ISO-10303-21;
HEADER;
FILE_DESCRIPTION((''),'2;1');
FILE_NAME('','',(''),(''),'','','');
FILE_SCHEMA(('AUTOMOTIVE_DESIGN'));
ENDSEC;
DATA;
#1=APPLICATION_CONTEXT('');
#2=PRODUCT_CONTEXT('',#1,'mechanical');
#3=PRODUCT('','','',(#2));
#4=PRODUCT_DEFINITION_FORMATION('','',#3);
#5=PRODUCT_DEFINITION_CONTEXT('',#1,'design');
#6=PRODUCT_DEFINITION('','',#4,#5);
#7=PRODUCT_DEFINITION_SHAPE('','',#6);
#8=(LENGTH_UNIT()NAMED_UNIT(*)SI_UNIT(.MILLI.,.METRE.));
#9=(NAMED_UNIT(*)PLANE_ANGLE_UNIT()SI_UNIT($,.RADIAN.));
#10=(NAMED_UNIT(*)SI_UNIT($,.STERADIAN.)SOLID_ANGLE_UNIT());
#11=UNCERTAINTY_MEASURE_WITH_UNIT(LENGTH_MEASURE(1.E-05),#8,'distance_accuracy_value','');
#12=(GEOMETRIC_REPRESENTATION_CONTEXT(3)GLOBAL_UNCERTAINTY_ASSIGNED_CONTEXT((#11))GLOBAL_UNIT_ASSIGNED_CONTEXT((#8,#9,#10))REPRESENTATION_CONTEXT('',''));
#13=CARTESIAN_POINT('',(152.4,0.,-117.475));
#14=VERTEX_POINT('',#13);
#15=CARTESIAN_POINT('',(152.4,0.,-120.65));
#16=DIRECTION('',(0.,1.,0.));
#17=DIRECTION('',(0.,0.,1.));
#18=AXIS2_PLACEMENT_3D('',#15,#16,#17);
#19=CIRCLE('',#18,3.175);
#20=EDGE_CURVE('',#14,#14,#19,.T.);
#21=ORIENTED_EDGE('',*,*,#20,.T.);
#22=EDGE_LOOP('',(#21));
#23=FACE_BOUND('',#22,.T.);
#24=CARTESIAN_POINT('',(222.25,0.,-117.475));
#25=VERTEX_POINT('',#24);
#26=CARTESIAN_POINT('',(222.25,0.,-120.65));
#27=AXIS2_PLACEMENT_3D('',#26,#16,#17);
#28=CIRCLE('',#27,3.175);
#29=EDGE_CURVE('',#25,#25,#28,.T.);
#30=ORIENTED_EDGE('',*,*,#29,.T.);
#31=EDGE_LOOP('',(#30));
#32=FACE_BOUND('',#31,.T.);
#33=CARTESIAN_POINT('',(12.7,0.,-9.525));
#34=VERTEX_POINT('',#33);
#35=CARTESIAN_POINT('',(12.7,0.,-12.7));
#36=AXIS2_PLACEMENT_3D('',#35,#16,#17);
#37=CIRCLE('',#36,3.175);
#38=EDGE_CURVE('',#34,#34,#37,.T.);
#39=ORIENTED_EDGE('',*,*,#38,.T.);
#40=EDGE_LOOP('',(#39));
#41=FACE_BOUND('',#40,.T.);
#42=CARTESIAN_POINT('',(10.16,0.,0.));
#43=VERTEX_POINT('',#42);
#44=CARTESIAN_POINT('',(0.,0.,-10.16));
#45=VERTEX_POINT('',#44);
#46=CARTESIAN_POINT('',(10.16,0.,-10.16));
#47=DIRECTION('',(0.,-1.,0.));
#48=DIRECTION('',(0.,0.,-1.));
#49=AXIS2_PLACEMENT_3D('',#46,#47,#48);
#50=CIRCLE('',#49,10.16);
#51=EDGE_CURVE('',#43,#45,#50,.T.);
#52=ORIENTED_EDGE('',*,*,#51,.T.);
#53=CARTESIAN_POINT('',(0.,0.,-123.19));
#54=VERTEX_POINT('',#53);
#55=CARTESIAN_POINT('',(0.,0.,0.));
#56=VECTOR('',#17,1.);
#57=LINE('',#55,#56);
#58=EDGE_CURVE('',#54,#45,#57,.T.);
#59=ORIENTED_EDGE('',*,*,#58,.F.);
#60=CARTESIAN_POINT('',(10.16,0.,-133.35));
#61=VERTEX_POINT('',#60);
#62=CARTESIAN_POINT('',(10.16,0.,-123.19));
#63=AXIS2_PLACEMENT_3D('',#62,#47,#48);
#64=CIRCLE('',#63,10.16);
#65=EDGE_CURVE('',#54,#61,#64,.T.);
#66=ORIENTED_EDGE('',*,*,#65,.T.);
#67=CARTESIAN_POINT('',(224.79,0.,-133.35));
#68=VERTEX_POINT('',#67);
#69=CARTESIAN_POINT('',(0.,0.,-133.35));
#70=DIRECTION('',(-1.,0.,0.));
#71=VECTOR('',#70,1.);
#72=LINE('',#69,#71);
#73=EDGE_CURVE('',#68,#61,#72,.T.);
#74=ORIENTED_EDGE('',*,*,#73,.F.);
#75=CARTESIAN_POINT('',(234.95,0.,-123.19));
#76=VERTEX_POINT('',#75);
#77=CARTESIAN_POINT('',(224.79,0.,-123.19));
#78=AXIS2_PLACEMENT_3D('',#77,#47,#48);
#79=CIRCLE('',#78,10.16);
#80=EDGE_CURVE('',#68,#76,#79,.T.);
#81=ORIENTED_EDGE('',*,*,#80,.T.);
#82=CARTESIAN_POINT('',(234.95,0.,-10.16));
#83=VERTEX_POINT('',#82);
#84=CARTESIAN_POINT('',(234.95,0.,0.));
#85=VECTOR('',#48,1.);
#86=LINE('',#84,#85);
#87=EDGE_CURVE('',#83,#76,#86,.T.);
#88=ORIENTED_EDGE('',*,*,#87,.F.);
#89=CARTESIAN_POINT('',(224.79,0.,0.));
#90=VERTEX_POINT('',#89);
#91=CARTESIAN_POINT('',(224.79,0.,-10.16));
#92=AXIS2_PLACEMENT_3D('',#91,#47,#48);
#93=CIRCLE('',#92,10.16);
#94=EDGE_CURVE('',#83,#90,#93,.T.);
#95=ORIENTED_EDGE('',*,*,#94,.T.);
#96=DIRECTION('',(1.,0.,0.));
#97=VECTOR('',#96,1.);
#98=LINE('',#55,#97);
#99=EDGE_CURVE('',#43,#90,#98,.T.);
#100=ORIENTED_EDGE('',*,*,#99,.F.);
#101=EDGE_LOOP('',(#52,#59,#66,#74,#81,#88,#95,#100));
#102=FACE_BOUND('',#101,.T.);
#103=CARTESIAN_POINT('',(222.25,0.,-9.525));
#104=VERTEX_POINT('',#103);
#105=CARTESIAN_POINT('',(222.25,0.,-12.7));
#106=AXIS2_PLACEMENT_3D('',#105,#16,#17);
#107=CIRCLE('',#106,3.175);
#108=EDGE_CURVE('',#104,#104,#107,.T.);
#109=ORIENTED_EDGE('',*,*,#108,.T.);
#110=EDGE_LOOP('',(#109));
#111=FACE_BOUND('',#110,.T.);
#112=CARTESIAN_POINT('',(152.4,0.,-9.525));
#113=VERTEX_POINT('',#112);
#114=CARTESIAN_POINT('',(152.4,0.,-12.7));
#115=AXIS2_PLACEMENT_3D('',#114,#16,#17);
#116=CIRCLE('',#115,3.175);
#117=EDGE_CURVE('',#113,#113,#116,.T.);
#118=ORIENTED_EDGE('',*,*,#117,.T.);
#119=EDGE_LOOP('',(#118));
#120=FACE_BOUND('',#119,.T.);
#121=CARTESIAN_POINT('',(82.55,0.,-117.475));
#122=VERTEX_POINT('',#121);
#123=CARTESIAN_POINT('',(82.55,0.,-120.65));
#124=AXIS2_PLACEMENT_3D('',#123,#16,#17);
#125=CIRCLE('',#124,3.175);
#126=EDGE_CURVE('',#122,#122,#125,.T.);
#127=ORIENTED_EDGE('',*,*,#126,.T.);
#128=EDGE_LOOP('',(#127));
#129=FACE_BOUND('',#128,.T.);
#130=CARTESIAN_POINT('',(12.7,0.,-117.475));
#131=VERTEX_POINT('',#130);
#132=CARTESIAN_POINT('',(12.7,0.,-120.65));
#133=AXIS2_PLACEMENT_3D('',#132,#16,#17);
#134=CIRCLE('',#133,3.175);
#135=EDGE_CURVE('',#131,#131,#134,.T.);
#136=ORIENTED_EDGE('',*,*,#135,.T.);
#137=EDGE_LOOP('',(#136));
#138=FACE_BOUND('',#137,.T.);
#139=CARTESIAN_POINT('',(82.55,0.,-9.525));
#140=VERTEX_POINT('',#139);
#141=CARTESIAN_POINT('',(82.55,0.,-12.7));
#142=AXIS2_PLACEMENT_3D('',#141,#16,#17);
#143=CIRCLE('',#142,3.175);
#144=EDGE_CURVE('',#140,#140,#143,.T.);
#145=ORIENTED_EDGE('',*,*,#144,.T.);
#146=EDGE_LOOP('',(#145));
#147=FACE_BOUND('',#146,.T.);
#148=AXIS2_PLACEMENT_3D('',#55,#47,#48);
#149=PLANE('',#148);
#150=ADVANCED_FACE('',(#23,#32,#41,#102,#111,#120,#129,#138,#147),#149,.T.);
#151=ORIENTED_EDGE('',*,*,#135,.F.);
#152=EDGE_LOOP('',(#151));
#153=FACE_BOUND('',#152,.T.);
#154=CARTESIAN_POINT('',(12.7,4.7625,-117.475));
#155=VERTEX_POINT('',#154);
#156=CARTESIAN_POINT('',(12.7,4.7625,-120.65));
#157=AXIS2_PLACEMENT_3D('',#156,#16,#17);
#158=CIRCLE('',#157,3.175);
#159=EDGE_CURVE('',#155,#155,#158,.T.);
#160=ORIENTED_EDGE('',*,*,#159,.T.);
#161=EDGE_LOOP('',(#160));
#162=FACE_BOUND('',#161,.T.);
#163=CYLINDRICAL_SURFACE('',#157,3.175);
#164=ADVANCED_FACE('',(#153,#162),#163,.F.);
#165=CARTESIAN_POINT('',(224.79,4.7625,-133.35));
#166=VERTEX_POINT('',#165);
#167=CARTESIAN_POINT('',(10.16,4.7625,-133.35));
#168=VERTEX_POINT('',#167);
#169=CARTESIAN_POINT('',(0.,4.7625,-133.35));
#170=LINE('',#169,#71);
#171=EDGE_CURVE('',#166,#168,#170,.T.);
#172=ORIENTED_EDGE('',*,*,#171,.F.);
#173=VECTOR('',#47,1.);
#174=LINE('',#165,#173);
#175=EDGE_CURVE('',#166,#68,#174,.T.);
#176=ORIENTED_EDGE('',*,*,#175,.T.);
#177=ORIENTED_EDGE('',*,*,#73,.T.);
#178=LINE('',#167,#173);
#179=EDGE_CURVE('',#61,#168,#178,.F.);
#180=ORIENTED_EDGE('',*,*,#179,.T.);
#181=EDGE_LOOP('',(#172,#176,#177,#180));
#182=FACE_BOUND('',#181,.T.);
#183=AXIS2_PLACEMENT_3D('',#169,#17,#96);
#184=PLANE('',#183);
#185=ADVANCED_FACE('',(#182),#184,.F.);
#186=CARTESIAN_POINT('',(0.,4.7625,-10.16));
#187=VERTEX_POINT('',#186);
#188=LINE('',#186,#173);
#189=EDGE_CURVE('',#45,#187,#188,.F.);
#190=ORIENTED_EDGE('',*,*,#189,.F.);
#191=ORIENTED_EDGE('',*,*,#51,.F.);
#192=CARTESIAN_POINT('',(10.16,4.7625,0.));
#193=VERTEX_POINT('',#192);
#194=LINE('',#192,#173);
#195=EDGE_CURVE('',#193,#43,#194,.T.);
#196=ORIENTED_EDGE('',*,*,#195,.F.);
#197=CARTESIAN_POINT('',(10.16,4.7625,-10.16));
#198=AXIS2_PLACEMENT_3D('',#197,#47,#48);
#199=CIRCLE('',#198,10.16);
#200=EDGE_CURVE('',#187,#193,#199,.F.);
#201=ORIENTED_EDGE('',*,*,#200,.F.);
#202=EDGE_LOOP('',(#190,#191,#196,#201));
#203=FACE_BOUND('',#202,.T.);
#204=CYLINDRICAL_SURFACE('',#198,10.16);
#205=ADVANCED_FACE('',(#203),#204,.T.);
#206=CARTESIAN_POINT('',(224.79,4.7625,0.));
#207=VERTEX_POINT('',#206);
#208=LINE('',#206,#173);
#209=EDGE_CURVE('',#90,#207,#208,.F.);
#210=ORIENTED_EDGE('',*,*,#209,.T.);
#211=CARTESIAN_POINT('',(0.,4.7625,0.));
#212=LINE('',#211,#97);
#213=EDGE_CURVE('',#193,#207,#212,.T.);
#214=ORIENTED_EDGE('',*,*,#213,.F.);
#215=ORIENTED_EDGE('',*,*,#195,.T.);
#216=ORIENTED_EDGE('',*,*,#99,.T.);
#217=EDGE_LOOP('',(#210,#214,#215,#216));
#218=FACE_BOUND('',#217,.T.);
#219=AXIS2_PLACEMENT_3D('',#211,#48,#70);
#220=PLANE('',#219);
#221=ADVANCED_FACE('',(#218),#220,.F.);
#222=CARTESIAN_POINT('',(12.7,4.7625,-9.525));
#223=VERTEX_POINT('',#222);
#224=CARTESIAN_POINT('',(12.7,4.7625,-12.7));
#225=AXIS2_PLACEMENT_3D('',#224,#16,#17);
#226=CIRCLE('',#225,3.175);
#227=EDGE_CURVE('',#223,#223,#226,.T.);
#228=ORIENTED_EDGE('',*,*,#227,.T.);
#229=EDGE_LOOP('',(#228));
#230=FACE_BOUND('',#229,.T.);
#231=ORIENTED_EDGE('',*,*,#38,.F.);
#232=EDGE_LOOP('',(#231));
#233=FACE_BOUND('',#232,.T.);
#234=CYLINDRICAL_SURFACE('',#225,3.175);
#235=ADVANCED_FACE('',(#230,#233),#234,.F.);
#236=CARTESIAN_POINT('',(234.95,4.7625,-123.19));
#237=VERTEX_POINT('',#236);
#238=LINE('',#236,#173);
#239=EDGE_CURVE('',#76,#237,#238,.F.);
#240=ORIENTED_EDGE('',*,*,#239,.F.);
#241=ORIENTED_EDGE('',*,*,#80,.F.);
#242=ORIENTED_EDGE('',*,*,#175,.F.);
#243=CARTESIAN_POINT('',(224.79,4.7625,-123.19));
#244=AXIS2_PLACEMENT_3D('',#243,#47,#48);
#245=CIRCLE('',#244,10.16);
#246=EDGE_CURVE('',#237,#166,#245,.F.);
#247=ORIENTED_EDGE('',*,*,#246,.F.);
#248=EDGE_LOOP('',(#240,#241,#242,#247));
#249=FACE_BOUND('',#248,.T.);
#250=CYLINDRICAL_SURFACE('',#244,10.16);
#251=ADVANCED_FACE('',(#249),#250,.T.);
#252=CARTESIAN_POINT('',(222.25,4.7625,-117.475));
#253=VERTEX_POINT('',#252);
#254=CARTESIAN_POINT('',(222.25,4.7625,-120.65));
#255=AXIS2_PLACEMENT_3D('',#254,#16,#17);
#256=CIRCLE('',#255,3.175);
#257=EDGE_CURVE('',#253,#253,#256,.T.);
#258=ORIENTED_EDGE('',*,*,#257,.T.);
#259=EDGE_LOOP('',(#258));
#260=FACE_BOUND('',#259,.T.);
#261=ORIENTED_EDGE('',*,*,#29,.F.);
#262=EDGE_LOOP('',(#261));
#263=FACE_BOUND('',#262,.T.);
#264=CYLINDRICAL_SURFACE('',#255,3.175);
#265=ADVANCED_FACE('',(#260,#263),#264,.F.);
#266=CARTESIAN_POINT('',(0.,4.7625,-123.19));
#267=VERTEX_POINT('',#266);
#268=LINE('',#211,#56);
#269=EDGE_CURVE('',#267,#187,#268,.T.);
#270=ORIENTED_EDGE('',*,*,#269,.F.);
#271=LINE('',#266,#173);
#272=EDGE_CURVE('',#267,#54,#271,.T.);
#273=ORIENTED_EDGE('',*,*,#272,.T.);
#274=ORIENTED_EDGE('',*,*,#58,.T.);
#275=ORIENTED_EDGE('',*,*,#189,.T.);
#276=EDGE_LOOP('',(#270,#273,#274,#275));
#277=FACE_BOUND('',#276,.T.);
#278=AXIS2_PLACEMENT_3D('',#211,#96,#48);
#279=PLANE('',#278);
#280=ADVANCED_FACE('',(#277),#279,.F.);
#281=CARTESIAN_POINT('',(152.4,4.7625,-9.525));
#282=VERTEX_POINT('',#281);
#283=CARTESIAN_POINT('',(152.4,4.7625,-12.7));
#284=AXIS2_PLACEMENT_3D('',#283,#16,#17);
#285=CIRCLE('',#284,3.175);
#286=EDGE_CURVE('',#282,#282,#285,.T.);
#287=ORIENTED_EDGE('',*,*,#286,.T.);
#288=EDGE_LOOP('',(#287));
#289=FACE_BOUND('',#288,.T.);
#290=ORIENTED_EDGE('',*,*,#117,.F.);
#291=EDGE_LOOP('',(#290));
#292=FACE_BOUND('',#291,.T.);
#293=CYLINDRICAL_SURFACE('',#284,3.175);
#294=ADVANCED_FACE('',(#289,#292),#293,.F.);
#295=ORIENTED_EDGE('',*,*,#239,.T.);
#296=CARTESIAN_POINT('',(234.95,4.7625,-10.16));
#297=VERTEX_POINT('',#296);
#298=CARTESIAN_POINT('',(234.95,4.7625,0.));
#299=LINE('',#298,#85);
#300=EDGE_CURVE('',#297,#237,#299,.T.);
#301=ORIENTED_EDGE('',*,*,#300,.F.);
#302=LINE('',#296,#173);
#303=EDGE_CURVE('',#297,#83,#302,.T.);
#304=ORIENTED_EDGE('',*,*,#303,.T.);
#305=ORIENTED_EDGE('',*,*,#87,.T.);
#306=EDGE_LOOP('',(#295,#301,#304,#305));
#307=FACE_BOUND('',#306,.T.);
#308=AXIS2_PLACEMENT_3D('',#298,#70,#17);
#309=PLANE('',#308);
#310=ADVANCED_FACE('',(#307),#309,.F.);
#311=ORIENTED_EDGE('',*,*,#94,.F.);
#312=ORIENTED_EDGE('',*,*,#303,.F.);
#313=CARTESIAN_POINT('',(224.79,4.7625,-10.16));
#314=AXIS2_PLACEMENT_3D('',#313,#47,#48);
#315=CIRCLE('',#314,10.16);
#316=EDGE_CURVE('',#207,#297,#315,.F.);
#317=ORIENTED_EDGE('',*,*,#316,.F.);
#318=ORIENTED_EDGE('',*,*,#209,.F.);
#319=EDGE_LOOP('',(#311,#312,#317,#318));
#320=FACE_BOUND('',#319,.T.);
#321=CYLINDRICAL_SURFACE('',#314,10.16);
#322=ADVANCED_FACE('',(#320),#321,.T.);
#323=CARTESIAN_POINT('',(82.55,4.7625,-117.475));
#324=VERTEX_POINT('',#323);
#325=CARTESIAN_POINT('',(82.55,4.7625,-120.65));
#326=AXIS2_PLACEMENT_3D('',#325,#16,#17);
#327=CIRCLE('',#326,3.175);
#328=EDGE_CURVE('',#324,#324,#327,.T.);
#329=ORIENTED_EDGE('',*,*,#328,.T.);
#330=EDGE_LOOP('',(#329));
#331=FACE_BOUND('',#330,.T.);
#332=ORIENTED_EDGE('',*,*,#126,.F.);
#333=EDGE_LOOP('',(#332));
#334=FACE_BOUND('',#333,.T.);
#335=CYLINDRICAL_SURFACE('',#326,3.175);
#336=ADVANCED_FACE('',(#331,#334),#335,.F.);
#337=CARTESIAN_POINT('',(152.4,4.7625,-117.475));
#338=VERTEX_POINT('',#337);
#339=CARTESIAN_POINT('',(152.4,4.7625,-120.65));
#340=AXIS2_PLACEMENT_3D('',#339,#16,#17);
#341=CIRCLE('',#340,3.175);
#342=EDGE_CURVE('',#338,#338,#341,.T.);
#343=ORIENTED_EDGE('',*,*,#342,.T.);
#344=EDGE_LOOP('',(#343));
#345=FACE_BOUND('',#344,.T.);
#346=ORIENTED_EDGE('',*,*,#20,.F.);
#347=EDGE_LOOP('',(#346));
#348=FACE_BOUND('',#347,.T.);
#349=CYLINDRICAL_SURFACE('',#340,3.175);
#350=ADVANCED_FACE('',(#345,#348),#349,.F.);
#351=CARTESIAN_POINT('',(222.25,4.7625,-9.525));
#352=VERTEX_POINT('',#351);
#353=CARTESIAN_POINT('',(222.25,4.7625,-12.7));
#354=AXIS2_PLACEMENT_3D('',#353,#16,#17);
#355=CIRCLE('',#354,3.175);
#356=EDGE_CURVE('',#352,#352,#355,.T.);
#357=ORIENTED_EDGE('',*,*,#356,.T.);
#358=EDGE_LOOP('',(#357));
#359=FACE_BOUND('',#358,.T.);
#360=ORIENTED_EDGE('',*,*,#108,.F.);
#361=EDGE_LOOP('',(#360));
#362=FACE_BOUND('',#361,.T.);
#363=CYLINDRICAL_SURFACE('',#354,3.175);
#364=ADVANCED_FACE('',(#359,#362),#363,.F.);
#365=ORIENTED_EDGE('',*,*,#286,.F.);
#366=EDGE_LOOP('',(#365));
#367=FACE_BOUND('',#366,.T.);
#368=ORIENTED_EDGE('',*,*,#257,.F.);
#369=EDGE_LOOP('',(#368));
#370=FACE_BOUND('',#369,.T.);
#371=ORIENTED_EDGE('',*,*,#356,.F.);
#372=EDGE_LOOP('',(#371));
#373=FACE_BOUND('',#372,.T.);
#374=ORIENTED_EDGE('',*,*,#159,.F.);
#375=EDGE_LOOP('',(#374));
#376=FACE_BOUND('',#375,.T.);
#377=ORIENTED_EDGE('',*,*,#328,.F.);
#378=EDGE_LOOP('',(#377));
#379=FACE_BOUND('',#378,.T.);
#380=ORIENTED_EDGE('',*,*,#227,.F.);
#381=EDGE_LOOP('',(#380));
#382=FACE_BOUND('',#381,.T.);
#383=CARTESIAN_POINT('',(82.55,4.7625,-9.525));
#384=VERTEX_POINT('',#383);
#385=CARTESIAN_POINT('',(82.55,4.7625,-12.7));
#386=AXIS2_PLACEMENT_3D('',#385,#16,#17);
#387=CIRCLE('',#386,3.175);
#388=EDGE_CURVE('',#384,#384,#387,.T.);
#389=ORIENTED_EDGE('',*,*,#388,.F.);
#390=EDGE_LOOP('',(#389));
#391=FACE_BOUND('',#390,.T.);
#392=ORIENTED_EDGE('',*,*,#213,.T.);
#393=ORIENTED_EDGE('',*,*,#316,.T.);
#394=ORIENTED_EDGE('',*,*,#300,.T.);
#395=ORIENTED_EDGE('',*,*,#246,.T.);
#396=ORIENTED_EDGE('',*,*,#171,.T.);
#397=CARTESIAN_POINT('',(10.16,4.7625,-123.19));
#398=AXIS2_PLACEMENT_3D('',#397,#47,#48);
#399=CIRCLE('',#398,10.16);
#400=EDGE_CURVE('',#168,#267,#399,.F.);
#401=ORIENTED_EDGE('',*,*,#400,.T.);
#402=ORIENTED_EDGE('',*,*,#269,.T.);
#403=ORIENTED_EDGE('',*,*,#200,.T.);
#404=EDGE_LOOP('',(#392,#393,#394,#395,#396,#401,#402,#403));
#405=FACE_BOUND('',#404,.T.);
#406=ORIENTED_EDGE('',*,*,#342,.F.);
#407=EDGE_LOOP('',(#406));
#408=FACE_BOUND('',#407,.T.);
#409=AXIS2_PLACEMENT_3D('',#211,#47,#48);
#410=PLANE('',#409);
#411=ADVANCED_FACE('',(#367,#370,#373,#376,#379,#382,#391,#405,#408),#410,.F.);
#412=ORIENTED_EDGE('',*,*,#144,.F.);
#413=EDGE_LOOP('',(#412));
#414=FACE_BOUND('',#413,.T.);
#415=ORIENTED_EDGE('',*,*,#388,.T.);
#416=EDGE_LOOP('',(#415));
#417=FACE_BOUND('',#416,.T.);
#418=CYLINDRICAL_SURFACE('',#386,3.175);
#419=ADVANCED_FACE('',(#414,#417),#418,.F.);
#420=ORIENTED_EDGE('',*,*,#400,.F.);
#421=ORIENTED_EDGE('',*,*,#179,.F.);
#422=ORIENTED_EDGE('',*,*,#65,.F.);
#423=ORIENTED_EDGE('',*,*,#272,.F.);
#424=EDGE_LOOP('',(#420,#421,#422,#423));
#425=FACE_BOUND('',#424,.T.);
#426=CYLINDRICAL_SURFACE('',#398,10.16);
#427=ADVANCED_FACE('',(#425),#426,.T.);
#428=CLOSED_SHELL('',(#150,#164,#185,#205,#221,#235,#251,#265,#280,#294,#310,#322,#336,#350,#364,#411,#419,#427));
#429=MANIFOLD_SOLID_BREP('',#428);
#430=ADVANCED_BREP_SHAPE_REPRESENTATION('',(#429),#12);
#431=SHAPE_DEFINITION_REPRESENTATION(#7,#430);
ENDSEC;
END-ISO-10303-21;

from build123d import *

# Parameters (mm, degrees)
SKETCH1_W                   = 234.95
SKETCH1_H                   = 133.35
BOSS_EXTRUDE1_DEPTH         = 4.7625
FILLET1_R                   = 10.16
F_1_4_0_25_DIAMETER_HOLE3_D = 6.35


with BuildPart() as part:
    # Sketch1 → Boss-Extrude1 (new body)
    with BuildSketch(Plane(origin=(0, 0, 0), x_dir=(1, 0, 0), z_dir=(0, 1, 0))):
        with Locations((117.475, 66.675)):
            Rectangle(SKETCH1_W, SKETCH1_H)
    extrude(amount=BOSS_EXTRUDE1_DEPTH)

    # Fillet1
    fillet1_edges = [part.edges().sort_by_distance(p)[0] for p in [
        (0, 2.38125, -133.35),
        (234.95, 2.38125, -133.35),
        (234.95, 2.38125, 0),
        (0, 2.38125, 0),
    ]]
    fillet(fillet1_edges, radius=FILLET1_R)

    # 1/4 (0.25) Diameter Hole3 (through all)
    with Locations(Plane(origin=(0, 4.7625, 0), x_dir=(1, 0, 0), z_dir=(0, 1, 0))):
        with Locations((12.7, 120.65), (82.55, 120.65), (152.4, 120.65), (222.25, 120.65)):
            f_1_4_0_25_diameter_hole3 = Hole(F_1_4_0_25_DIAMETER_HOLE3_D / 2)

    # Mirror1: 1/4 (0.25) Diameter Hole3 across plane
    add(f_1_4_0_25_diameter_hole3.mirror(Plane.XY.offset(-66.675)), mode=Mode.SUBTRACT)


solid = part.part
